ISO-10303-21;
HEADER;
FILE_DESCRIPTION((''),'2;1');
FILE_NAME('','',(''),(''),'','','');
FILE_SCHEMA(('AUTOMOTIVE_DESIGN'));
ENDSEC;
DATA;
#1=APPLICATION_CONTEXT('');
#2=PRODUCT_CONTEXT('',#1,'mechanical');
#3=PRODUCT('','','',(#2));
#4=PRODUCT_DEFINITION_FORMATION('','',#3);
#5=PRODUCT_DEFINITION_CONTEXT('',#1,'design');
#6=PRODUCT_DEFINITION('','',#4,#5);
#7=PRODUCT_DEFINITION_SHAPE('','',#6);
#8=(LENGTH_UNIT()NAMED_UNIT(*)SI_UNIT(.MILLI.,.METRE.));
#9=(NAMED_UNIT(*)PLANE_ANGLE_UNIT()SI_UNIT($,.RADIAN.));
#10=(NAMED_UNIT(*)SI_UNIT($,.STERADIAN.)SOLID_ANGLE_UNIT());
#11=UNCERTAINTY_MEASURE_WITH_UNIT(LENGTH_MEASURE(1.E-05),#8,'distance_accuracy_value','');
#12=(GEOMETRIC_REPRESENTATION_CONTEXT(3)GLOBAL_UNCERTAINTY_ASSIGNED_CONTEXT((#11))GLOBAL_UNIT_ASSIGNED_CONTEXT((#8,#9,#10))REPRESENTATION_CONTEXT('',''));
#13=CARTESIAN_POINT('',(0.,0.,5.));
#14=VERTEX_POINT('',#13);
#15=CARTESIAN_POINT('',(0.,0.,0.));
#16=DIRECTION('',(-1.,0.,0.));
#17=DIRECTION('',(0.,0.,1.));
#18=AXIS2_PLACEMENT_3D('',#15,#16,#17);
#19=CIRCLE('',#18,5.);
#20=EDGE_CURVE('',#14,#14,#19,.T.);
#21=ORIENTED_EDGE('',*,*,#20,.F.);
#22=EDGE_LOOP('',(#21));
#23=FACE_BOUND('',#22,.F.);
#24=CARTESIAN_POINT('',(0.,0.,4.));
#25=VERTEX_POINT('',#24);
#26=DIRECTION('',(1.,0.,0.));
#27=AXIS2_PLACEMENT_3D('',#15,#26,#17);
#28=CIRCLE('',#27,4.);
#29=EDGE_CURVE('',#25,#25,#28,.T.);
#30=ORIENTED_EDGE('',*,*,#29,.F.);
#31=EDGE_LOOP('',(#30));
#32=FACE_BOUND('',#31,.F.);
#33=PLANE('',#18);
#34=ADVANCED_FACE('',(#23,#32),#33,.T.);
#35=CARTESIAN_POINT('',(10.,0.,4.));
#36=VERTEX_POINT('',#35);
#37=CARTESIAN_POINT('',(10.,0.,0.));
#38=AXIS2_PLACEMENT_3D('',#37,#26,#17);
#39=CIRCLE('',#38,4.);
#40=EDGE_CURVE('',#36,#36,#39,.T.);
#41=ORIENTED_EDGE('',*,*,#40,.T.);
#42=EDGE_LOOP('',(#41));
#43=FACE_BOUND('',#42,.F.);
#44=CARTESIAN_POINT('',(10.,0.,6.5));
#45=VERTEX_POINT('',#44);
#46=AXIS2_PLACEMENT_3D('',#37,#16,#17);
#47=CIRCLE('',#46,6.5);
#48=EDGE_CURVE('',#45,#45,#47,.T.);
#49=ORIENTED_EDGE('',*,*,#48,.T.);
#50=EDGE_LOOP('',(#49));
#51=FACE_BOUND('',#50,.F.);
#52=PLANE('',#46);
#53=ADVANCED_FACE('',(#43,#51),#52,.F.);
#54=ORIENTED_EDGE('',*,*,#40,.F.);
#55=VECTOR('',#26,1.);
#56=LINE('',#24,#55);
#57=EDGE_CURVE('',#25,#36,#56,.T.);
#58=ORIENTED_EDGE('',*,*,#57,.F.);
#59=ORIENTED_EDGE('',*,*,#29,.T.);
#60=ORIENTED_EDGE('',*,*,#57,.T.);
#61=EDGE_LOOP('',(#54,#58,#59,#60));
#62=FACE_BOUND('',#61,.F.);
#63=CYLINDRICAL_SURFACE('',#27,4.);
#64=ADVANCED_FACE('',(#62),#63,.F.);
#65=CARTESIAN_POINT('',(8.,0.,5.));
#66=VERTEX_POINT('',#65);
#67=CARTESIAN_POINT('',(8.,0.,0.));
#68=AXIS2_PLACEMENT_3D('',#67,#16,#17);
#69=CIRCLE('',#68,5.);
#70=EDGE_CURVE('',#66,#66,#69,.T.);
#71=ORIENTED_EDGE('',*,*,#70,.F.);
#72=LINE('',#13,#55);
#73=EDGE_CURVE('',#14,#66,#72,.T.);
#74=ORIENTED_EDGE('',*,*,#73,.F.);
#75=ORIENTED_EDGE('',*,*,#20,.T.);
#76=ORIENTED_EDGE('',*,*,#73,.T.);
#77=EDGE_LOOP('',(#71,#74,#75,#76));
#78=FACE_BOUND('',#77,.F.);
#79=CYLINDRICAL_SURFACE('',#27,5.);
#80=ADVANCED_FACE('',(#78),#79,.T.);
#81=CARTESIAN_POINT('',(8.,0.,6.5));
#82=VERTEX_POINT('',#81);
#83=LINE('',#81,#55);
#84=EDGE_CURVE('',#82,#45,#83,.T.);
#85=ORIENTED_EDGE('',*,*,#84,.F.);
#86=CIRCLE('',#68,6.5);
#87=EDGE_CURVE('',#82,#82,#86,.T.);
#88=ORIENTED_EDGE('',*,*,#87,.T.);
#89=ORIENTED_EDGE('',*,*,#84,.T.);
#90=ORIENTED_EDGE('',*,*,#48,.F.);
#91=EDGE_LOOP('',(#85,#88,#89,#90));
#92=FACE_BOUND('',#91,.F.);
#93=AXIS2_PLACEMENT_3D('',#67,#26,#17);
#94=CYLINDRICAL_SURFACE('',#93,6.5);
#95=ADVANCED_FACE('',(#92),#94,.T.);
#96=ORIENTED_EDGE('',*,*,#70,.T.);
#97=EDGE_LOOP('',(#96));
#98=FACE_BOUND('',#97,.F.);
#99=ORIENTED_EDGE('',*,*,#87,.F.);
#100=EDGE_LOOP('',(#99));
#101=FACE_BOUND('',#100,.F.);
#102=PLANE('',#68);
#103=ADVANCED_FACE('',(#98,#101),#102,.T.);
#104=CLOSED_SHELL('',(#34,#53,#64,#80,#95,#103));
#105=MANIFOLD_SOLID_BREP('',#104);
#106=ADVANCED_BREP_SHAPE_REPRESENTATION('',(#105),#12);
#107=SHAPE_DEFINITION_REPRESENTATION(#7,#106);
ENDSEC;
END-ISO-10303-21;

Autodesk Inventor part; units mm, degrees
ref_plane "YZ Plane" through (0, 0, 0) normal (1, 0, 0) x (0, 1, 0)
ref_plane "XZ Plane" through (0, 0, 0) normal (0, 1, 0) x (-1, 0, 0)
ref_plane "XY Plane" through (0, 0, 0) normal (0, 0, 1) x (1, 0, 0)
sketch "Skizze1" plane through (0, 0, 0) normal (0, 1, 0) x (-1, 0, 0)
  line L0 (0, 0) -> (0, 5)
  line L1 (0, 5) -> (-8, 5)
  line L2 (-8, 5) -> (-8, 6.5)
  line L3 (-8, 6.5) -> (-10, 6.5)
  line L4 (-10, 6.5) -> (-10, 0)
  line L5 (-10, 0) -> (0, 0)
  dimension "d0" = 2
  dimension "d1" = 8
  dimension "d2" = 10
  dimension "d3" = 13
revolve "Umdrehung1" add sketch "Skizze1" angle 360 about axis through (10, 0, 0) along (-1, 0, 0)
sketch "Skizze2" plane through (0, 0, 0) normal (-1, 0, 0) x (0, 0, 1)
  circle A0 centre (0, 0) radius 5 projected
  point P0 (0, 0)
hole "Bohrung1" at (0, 0, 0) direction (1, 0, 0) diameter 8 depth 10
properties part number "1016" material "Aluminum 6061-AHC"
